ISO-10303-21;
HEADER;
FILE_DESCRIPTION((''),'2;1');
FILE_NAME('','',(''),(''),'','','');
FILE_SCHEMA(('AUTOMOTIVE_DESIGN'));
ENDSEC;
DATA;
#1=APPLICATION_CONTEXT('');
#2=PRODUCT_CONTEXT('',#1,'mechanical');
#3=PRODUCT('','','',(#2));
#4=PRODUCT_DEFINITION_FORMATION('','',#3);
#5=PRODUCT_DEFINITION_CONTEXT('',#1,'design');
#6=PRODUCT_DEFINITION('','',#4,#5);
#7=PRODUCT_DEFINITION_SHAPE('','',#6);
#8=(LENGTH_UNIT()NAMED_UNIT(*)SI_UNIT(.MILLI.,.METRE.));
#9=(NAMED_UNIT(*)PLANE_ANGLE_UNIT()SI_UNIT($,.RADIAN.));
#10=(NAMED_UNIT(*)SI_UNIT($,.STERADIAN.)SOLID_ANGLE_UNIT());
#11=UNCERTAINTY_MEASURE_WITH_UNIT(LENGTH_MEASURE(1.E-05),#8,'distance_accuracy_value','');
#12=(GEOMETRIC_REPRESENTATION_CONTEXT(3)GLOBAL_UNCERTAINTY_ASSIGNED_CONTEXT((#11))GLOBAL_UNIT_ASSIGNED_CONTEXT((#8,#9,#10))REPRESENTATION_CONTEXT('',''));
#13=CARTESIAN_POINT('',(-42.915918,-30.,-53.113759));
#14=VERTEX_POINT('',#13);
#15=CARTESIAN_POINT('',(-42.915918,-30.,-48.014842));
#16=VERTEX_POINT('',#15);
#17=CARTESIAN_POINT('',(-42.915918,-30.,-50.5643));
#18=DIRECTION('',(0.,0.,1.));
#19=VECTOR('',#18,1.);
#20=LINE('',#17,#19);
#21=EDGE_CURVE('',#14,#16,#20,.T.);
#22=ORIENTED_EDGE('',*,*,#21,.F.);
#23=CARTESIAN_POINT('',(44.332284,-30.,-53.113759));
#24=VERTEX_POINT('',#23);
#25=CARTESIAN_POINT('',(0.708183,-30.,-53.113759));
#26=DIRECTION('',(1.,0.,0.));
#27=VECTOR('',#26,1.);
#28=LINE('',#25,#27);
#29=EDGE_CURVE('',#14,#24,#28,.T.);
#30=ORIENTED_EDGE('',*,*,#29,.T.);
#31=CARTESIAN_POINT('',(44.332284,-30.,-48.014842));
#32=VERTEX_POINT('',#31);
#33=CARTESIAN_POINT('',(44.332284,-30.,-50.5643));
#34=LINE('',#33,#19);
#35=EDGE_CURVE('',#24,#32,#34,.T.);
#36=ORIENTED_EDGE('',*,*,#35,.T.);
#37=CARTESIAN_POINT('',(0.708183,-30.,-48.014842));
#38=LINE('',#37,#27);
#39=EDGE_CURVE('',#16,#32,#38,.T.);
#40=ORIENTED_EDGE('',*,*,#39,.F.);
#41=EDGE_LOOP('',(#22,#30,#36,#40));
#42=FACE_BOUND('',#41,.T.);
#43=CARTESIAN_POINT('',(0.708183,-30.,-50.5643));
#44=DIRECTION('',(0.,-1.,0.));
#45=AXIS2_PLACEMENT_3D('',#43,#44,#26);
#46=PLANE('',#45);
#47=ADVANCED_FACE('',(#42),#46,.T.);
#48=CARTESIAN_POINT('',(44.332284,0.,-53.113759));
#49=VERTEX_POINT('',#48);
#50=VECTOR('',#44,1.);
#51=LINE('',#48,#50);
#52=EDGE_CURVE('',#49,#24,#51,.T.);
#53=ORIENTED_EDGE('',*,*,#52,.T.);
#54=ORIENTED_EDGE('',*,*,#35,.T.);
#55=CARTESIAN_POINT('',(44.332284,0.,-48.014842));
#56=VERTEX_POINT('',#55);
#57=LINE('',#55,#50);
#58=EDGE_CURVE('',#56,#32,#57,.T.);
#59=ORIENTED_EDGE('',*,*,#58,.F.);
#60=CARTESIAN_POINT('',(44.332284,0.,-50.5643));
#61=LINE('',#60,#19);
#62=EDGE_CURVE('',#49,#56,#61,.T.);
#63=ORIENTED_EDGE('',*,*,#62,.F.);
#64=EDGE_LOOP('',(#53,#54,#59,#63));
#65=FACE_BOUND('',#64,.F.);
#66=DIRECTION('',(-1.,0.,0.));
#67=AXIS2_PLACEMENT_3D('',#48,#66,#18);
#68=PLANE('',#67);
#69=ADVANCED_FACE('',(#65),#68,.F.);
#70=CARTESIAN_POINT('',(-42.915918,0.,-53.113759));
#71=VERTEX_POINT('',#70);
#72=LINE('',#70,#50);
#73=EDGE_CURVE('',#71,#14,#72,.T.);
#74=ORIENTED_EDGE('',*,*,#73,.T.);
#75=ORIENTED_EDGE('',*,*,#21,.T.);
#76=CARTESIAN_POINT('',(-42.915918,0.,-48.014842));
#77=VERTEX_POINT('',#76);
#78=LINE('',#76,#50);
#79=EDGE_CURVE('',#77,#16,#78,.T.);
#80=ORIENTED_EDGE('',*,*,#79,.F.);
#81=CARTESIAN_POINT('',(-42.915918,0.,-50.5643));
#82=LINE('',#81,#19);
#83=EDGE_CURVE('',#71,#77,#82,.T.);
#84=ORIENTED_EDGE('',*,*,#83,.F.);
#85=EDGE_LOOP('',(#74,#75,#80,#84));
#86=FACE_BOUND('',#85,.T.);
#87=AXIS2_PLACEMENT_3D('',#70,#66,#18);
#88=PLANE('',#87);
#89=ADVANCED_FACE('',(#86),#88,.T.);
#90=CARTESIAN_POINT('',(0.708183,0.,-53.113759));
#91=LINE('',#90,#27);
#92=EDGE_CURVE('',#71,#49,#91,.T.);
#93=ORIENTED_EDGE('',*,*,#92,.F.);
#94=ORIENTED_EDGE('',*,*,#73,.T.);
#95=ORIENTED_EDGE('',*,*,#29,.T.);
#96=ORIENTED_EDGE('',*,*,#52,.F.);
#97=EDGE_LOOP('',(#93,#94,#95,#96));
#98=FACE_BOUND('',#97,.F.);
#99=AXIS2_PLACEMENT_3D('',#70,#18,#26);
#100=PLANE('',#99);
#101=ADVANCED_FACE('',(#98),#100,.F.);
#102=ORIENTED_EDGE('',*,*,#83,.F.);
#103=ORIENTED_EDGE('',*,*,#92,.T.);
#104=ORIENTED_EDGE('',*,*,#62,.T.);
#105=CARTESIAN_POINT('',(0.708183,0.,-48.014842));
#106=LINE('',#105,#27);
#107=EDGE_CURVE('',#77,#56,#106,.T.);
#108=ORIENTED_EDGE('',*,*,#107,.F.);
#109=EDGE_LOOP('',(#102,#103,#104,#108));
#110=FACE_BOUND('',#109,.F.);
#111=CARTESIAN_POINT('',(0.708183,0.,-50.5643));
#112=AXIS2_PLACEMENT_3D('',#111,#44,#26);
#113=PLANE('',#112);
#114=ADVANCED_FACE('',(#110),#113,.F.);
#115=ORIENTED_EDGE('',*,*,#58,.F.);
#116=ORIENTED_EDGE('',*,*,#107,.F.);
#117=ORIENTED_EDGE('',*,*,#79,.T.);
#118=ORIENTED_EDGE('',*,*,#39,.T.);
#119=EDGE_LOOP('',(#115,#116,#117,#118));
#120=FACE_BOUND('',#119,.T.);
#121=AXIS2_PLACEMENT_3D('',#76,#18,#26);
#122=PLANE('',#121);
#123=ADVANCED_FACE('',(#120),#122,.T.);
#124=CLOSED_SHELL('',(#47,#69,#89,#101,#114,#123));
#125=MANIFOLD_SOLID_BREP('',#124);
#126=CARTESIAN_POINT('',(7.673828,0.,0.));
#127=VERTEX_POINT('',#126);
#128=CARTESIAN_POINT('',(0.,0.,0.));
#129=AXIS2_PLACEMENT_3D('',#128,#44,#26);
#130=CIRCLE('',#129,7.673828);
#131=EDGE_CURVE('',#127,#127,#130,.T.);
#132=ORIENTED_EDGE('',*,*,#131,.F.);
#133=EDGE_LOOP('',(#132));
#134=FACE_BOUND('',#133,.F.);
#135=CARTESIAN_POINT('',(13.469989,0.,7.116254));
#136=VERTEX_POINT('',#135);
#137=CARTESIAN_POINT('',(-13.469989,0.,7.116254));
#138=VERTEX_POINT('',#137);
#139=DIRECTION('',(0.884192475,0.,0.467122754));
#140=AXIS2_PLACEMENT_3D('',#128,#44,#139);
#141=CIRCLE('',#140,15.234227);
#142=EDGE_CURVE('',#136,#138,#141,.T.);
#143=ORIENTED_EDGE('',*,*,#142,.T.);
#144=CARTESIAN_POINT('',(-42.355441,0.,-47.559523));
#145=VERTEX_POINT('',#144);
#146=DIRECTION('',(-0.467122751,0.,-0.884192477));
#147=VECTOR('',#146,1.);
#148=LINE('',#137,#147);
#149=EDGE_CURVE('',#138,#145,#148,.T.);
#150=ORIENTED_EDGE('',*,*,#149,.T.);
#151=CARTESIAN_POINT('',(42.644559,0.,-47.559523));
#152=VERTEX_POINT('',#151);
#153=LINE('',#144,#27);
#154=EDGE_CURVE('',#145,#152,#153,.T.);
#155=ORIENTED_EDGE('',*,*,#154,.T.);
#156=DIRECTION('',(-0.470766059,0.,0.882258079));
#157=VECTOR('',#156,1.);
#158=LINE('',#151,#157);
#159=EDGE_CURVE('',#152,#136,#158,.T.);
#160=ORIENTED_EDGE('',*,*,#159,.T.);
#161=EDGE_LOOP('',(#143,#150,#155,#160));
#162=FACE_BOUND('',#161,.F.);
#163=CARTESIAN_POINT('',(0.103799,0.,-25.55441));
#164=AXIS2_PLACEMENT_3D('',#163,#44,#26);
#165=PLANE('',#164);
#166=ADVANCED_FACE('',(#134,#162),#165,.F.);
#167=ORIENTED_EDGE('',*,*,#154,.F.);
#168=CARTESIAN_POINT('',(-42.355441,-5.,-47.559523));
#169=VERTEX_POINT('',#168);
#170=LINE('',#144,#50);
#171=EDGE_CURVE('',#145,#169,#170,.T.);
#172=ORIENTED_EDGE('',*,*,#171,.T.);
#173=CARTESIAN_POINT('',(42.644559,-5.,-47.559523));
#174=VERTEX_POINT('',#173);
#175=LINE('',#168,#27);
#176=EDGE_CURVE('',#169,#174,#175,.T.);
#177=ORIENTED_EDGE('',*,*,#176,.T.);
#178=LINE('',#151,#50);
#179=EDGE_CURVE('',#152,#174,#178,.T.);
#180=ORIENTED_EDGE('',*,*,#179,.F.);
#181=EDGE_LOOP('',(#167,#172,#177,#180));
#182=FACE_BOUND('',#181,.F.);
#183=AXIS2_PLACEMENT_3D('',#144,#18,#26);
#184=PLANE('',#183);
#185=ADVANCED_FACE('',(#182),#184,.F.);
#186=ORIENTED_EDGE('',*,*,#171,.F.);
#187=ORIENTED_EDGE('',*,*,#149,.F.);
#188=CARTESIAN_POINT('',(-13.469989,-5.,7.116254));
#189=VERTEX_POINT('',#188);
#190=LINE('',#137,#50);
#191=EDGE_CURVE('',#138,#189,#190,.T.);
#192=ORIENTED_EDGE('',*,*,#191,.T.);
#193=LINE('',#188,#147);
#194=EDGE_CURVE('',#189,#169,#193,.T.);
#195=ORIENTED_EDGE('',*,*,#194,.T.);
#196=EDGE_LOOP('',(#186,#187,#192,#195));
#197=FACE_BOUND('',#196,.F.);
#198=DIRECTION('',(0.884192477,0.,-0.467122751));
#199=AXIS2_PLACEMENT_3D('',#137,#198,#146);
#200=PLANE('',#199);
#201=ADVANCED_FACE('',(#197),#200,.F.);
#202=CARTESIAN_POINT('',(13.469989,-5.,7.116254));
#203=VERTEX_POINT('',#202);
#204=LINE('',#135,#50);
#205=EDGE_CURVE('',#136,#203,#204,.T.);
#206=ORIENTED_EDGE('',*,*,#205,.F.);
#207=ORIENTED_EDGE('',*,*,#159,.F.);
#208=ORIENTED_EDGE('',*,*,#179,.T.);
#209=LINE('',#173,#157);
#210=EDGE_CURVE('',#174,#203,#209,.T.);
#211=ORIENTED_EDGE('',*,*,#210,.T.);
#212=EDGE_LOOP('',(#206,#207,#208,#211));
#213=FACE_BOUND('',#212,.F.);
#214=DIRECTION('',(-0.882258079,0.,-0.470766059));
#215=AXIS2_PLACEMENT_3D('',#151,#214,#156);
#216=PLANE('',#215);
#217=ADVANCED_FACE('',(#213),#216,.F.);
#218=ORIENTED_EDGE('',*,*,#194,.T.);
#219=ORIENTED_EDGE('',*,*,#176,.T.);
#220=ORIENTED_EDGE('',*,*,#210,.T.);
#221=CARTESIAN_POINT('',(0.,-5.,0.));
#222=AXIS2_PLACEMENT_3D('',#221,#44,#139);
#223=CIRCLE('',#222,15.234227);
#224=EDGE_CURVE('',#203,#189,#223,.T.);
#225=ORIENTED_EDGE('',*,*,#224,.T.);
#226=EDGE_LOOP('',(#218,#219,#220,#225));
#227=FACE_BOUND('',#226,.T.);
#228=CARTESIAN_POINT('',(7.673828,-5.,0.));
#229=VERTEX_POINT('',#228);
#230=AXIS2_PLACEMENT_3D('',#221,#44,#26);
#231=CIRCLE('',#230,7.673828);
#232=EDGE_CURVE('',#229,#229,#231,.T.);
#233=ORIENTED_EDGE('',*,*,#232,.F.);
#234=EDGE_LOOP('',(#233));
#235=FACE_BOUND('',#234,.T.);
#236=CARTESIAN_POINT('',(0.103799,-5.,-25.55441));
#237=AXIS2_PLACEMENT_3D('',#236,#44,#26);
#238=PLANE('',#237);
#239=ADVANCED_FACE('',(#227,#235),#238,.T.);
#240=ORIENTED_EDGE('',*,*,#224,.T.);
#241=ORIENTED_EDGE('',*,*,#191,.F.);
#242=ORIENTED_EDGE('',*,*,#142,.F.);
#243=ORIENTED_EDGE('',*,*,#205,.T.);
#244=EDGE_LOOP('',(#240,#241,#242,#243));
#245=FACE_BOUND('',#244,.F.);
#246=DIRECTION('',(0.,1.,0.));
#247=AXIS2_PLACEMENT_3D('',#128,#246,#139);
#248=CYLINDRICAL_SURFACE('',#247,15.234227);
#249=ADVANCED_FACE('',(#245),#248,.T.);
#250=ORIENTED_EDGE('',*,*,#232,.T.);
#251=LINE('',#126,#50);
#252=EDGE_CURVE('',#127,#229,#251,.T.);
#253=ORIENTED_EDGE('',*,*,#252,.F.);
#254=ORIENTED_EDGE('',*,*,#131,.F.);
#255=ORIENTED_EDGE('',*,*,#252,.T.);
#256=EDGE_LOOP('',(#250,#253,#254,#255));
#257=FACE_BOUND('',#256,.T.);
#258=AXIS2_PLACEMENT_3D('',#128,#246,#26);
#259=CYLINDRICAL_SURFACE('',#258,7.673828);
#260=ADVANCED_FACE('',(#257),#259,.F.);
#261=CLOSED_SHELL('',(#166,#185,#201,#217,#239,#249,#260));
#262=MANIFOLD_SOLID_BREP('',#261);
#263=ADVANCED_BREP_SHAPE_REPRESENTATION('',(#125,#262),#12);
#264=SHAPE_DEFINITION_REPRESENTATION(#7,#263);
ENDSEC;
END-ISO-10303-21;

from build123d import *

# Parameters (mm, degrees)
F0_R     = 7.673828
F1_DEPTH = 5
F2_W     = 87.248202
F2_H     = 5.098917
F3_DEPTH = 30


with BuildPart() as f1:
    # F0 (on Front) → F1 (new body)
    with BuildSketch(Plane.XZ):
        with BuildLine():
            Line((42.644559, -47.559523), (13.469989, 7.116254))
            ThreePointArc((13.469989, 7.116254), (0, 15.234227), (-13.469989, 7.116254))
            Line((-13.469989, 7.116254), (-42.355441, -47.559523))
            Line((-42.355441, -47.559523), (42.644559, -47.559523))
        make_face()
        Circle(F0_R, mode=Mode.SUBTRACT)
    extrude(amount=F1_DEPTH)


with BuildPart() as f3:
    # F2 (on Front) → F3 (new body)
    with BuildSketch(Plane.XZ):
        with Locations((0.708183, -50.5643)):
            Rectangle(F2_W, F2_H)
    extrude(amount=F3_DEPTH)


solid = Compound([f1.part, f3.part])
